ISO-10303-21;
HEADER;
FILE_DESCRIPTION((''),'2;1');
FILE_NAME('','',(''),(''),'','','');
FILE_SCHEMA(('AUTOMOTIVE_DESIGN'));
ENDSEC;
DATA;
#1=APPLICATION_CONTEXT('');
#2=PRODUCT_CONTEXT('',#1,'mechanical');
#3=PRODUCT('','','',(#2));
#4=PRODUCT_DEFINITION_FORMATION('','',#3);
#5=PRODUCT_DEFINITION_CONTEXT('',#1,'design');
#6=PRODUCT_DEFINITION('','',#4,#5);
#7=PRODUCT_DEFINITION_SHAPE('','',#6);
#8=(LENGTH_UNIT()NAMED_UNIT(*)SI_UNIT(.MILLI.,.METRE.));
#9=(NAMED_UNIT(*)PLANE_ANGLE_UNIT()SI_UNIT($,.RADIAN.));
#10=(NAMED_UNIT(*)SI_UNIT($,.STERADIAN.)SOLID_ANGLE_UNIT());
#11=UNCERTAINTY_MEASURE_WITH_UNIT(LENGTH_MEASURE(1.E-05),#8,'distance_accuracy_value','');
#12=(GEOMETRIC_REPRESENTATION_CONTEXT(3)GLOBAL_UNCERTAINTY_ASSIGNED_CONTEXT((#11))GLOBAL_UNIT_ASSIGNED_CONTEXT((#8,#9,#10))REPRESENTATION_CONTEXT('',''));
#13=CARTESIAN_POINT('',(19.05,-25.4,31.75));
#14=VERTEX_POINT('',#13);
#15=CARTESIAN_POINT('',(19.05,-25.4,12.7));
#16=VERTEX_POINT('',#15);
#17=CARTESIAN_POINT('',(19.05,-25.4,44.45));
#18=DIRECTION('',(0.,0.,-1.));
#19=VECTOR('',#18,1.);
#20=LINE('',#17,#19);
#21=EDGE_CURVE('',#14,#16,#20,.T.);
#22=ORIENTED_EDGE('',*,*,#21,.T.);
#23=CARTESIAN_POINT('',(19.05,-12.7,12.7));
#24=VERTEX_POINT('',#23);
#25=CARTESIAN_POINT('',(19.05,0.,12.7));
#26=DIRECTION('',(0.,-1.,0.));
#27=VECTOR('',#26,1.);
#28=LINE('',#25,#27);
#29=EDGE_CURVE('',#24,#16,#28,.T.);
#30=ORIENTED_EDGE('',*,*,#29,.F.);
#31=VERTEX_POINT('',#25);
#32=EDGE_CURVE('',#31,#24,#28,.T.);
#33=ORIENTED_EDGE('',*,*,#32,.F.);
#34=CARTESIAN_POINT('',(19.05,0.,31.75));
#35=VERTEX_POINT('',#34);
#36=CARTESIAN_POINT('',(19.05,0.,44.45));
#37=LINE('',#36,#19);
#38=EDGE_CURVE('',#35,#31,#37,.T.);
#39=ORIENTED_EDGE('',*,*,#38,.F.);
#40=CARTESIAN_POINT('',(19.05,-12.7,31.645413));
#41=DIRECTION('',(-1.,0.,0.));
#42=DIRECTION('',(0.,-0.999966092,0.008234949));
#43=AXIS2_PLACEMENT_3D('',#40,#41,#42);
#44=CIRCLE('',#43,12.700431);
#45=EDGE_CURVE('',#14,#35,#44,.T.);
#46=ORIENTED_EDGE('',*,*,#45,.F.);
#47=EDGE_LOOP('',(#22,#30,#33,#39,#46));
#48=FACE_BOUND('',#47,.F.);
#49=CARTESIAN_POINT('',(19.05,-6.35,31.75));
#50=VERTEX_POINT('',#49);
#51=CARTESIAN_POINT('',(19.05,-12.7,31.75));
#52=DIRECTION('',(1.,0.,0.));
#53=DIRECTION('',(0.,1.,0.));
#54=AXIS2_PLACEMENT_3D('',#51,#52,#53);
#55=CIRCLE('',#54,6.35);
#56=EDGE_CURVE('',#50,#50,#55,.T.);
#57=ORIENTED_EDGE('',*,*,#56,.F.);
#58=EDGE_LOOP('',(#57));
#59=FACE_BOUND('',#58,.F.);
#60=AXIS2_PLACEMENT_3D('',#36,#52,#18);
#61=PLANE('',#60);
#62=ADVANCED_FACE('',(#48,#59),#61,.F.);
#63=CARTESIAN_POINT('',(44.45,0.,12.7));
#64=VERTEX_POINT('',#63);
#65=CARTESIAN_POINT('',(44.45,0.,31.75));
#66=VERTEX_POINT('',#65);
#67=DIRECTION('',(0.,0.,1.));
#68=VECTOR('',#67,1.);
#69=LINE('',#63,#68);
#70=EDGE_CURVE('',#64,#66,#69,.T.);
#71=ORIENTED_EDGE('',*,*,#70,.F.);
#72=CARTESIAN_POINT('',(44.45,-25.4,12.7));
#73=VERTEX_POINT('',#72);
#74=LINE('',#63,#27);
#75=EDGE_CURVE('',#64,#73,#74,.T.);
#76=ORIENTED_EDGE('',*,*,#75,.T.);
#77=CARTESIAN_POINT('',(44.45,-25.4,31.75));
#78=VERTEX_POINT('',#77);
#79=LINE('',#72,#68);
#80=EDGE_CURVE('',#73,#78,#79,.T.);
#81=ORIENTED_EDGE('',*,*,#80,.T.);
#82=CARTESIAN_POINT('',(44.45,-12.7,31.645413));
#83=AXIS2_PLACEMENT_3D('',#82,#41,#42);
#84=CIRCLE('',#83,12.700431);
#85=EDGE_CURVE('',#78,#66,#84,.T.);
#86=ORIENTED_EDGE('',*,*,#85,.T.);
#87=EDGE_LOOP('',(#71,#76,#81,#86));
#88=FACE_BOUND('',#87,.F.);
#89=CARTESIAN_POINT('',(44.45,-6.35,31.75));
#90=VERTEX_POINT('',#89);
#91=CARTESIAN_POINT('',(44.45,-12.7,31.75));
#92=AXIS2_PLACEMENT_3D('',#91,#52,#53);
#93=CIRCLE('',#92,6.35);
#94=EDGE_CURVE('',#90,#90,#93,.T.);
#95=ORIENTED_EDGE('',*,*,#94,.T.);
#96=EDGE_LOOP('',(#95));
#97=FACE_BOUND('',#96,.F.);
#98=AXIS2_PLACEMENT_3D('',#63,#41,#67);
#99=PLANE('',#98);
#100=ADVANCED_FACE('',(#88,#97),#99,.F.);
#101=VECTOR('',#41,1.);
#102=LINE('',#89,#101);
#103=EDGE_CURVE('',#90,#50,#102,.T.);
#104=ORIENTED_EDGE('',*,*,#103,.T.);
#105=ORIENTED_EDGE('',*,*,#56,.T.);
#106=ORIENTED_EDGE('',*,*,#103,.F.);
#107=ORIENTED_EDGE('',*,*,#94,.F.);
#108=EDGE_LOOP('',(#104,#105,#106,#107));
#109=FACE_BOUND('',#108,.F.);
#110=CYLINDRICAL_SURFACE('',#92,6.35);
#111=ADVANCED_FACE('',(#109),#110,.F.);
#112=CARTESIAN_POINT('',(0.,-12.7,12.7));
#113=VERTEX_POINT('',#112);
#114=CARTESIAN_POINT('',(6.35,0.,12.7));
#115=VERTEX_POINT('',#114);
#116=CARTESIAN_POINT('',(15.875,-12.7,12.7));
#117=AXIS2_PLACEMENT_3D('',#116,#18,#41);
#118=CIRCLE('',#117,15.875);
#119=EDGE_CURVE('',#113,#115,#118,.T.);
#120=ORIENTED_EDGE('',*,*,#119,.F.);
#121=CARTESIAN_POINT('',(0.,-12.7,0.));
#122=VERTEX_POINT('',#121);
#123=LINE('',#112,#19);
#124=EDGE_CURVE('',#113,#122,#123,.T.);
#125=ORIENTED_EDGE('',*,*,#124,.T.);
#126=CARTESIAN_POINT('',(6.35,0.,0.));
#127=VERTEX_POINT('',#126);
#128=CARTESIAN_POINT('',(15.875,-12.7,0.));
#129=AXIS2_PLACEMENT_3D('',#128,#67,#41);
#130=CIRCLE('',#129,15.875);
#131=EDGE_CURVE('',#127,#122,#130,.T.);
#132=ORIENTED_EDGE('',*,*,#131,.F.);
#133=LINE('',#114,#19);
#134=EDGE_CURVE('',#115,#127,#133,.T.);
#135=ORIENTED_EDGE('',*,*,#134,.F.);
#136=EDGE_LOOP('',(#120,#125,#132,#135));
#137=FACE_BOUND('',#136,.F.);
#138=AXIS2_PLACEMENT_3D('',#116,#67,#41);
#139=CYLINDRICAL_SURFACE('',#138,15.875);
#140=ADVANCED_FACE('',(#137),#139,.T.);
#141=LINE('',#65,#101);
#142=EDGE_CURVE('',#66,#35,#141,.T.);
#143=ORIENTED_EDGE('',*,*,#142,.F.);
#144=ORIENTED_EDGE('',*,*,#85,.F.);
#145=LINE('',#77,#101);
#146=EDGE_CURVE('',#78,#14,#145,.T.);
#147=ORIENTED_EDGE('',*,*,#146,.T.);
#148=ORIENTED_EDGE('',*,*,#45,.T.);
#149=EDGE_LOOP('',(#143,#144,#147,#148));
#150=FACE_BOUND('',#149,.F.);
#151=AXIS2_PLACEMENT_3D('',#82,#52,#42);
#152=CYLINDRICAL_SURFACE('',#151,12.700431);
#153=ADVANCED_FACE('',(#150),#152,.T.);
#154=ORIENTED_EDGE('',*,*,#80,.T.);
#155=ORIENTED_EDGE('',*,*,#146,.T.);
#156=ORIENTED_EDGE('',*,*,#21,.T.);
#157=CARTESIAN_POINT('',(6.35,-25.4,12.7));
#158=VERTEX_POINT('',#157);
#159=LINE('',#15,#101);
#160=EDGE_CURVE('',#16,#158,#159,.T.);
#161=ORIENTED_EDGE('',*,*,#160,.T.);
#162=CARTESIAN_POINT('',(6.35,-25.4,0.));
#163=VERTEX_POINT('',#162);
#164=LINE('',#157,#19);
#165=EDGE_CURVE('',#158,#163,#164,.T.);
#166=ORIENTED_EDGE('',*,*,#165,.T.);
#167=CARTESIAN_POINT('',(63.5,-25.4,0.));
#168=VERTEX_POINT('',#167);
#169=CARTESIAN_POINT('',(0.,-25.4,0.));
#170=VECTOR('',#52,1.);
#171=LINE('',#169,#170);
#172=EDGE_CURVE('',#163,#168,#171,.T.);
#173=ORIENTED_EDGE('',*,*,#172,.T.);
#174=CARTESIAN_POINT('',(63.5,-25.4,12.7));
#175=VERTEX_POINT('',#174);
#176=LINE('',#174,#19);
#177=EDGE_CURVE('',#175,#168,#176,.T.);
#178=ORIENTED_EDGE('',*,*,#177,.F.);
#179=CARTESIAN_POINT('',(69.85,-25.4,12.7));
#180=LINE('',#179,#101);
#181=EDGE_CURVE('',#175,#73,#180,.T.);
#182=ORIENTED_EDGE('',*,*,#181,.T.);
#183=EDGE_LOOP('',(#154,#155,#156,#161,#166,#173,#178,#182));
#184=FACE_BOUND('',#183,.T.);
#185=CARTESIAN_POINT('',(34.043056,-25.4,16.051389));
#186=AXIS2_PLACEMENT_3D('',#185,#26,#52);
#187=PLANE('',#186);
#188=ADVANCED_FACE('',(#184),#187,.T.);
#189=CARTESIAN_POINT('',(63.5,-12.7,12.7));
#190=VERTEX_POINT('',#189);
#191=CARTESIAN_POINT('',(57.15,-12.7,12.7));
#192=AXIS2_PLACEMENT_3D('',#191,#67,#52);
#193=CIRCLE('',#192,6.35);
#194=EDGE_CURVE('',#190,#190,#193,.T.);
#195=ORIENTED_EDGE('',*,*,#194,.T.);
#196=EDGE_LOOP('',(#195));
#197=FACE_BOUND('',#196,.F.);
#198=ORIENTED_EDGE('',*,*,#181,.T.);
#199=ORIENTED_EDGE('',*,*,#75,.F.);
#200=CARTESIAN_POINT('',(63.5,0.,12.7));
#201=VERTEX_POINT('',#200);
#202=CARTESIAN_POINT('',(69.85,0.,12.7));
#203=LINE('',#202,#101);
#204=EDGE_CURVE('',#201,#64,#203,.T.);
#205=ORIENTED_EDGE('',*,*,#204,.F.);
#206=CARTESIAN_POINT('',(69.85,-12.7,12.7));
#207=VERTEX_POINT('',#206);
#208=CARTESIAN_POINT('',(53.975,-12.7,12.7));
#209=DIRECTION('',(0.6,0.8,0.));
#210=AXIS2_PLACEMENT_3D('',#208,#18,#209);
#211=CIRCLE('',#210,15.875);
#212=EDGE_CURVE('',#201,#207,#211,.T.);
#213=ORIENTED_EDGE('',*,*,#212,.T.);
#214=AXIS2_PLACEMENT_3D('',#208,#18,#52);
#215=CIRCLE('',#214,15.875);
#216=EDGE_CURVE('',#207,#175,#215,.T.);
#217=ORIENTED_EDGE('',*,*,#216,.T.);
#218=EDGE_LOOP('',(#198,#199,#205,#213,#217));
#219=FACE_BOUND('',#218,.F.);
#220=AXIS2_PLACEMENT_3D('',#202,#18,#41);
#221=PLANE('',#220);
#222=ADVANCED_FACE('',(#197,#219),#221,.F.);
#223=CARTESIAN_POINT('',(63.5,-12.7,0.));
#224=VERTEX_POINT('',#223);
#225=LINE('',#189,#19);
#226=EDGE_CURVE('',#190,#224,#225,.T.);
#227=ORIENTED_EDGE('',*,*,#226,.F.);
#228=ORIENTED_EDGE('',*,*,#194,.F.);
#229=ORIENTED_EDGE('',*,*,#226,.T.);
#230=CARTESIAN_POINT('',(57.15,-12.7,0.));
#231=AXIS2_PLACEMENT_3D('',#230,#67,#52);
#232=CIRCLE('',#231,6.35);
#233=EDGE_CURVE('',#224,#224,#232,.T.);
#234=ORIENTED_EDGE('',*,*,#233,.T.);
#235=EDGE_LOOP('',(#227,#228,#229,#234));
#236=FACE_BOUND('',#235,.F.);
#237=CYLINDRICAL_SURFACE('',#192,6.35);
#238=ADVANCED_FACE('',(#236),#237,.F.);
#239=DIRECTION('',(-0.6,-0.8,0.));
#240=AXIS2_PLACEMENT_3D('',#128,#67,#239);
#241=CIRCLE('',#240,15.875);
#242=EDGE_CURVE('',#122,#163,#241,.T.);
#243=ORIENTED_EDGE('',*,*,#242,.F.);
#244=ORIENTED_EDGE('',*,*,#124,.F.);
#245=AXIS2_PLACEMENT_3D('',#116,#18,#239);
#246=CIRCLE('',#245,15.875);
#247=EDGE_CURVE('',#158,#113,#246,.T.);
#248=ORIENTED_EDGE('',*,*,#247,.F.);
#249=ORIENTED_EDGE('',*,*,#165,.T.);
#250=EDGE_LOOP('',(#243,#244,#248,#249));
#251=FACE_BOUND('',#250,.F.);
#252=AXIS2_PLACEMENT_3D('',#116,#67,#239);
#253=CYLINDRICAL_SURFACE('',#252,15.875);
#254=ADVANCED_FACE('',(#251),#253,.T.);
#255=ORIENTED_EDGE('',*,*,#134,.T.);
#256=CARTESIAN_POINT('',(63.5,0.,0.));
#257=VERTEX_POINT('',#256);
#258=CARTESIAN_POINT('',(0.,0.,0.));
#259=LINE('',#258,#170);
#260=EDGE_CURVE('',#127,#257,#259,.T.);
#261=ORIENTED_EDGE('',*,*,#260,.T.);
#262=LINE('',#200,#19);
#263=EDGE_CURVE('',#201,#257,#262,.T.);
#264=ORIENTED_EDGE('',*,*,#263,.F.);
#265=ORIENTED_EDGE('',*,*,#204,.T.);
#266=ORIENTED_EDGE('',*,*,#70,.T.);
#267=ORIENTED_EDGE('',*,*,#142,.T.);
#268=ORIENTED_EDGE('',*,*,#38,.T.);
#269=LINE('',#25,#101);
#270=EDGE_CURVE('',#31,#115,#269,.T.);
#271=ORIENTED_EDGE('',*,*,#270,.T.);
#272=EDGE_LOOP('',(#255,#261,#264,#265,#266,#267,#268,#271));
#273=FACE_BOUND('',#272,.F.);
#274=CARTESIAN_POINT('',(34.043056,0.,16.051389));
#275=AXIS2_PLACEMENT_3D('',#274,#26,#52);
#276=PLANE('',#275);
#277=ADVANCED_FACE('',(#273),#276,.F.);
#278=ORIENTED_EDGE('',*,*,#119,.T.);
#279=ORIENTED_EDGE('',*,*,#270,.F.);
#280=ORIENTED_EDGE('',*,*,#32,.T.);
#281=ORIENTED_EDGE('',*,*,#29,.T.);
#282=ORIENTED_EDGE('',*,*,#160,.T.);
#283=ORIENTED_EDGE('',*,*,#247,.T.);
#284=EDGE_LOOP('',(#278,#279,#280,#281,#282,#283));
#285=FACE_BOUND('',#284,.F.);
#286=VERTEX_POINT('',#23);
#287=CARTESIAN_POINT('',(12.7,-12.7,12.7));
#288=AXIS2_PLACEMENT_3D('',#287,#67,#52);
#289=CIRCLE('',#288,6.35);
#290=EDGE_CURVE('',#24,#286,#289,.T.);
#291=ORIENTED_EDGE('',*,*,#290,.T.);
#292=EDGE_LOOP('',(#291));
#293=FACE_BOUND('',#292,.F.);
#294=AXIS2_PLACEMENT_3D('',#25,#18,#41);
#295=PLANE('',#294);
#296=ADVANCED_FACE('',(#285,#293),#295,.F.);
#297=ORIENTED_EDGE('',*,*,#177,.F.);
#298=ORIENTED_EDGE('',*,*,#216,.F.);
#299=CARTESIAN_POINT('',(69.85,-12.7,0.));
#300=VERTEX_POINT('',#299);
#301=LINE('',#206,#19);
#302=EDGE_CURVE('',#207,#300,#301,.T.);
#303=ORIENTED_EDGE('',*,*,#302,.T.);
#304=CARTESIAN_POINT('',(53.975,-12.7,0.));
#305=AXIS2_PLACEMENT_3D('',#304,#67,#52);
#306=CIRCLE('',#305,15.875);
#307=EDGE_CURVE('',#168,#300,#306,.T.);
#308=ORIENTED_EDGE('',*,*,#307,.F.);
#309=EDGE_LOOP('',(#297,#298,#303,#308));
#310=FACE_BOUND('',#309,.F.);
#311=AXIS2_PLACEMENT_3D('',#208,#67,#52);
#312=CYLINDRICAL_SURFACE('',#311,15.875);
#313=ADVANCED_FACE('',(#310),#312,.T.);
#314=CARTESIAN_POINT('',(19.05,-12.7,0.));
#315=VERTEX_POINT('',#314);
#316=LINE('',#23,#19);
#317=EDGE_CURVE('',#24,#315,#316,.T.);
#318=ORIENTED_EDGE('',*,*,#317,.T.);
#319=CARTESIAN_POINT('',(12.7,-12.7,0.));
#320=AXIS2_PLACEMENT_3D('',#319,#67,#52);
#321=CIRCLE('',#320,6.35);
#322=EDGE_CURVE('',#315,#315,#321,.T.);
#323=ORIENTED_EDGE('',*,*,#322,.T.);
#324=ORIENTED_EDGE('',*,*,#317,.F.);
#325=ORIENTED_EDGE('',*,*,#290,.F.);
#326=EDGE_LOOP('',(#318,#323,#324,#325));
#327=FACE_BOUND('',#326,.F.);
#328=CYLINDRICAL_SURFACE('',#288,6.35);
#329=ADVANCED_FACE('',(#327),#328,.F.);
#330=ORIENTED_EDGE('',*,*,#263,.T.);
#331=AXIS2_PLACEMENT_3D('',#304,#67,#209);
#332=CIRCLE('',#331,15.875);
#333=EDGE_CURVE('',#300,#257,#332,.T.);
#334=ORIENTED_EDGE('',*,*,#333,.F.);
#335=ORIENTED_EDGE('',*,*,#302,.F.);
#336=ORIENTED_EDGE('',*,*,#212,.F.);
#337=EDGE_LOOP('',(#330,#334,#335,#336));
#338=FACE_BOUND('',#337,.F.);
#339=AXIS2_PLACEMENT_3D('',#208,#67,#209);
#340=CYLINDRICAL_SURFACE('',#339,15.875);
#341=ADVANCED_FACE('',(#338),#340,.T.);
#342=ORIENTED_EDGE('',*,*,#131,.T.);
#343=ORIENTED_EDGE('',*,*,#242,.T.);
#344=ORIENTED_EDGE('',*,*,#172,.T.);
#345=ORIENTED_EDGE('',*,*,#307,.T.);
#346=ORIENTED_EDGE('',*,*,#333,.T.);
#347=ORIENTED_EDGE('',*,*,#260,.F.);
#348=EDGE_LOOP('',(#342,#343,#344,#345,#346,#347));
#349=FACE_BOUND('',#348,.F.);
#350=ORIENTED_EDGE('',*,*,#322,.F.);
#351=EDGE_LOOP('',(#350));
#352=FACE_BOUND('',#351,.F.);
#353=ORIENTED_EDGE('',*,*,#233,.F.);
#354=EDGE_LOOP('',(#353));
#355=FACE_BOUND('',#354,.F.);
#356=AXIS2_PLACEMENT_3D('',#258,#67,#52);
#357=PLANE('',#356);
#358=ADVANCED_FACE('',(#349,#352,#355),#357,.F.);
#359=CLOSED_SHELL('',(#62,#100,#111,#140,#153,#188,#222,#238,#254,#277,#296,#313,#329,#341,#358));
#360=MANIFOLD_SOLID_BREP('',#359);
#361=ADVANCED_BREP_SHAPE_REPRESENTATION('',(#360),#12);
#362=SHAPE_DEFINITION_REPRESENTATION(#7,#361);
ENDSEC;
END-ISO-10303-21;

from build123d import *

# Parameters (mm, degrees)
F1_DEPTH = 25.4
F2_R     = 6.35
F3_DEPTH = 25.4
F5_DEPTH = 25.4
F6_R     = 6.35
F7_DEPTH = 25.4


with BuildPart() as f1:
    # F0 (on Front) → F1 (new body)
    with BuildSketch(Plane.XZ):
        Polygon((0, 12.7), (0, 0), (69.85, 0), (69.85, 12.7), (44.45, 12.7), (44.45, 44.45), (19.05, 44.45), (19.05, 12.7), align=None)
    extrude(amount=F1_DEPTH)

    # F2 (on face) → F3 (cut)
    with BuildSketch(Plane.XY.offset(12.7)):
        with Locations((12.7, -12.7)):
            Circle(F2_R)
        with Locations((57.15, -12.7)):
            Circle(F2_R)
        with BuildLine():
            ThreePointArc((69.85, -12.7), (68.1740316571, -19.7995158286), (63.5, -25.4))
            Line((63.5, -25.4), (69.85, -25.4))
            Line((69.85, -25.4), (69.85, -12.7))
        make_face()
        with BuildLine():
            ThreePointArc((63.5, 0), (68.1740316571, -5.6004841714), (69.85, -12.7))
            Line((69.85, -12.7), (69.85, 0))
            Line((69.85, 0), (63.5, 0))
        make_face()
    extrude(amount=-F3_DEPTH, mode=Mode.SUBTRACT)

    # F4 (on face) → F5 (cut)
    with BuildSketch(Plane.XY.offset(12.7)):
        with BuildLine():
            ThreePointArc((0, -12.7), (1.6759683429, -5.6004841714), (6.35, 0))
            Line((6.35, 0), (0, 0))
            Line((0, 0), (0, -12.7))
        make_face()
        with BuildLine():
            ThreePointArc((6.35, -25.4), (1.6759683429, -19.7995158286), (0, -12.7))
            Line((0, -12.7), (0, -25.4))
            Line((0, -25.4), (6.35, -25.4))
        make_face()
    extrude(amount=-F5_DEPTH, mode=Mode.SUBTRACT)

    # F6 (on face) → F7 (cut)
    with BuildSketch(Plane.YZ.offset(44.45)):
        with BuildLine():
            ThreePointArc((-25.4, 31.75), (-12.7, 44.3458432454), (0, 31.75))
            Line((0, 31.75), (0, 44.45))
            Line((0, 44.45), (-25.4, 44.45))
            Line((-25.4, 44.45), (-25.4, 31.75))
        make_face()
        with Locations((-12.7, 31.75)):
            Circle(F6_R)
    extrude(amount=-F7_DEPTH, mode=Mode.SUBTRACT)


solid = f1.part
